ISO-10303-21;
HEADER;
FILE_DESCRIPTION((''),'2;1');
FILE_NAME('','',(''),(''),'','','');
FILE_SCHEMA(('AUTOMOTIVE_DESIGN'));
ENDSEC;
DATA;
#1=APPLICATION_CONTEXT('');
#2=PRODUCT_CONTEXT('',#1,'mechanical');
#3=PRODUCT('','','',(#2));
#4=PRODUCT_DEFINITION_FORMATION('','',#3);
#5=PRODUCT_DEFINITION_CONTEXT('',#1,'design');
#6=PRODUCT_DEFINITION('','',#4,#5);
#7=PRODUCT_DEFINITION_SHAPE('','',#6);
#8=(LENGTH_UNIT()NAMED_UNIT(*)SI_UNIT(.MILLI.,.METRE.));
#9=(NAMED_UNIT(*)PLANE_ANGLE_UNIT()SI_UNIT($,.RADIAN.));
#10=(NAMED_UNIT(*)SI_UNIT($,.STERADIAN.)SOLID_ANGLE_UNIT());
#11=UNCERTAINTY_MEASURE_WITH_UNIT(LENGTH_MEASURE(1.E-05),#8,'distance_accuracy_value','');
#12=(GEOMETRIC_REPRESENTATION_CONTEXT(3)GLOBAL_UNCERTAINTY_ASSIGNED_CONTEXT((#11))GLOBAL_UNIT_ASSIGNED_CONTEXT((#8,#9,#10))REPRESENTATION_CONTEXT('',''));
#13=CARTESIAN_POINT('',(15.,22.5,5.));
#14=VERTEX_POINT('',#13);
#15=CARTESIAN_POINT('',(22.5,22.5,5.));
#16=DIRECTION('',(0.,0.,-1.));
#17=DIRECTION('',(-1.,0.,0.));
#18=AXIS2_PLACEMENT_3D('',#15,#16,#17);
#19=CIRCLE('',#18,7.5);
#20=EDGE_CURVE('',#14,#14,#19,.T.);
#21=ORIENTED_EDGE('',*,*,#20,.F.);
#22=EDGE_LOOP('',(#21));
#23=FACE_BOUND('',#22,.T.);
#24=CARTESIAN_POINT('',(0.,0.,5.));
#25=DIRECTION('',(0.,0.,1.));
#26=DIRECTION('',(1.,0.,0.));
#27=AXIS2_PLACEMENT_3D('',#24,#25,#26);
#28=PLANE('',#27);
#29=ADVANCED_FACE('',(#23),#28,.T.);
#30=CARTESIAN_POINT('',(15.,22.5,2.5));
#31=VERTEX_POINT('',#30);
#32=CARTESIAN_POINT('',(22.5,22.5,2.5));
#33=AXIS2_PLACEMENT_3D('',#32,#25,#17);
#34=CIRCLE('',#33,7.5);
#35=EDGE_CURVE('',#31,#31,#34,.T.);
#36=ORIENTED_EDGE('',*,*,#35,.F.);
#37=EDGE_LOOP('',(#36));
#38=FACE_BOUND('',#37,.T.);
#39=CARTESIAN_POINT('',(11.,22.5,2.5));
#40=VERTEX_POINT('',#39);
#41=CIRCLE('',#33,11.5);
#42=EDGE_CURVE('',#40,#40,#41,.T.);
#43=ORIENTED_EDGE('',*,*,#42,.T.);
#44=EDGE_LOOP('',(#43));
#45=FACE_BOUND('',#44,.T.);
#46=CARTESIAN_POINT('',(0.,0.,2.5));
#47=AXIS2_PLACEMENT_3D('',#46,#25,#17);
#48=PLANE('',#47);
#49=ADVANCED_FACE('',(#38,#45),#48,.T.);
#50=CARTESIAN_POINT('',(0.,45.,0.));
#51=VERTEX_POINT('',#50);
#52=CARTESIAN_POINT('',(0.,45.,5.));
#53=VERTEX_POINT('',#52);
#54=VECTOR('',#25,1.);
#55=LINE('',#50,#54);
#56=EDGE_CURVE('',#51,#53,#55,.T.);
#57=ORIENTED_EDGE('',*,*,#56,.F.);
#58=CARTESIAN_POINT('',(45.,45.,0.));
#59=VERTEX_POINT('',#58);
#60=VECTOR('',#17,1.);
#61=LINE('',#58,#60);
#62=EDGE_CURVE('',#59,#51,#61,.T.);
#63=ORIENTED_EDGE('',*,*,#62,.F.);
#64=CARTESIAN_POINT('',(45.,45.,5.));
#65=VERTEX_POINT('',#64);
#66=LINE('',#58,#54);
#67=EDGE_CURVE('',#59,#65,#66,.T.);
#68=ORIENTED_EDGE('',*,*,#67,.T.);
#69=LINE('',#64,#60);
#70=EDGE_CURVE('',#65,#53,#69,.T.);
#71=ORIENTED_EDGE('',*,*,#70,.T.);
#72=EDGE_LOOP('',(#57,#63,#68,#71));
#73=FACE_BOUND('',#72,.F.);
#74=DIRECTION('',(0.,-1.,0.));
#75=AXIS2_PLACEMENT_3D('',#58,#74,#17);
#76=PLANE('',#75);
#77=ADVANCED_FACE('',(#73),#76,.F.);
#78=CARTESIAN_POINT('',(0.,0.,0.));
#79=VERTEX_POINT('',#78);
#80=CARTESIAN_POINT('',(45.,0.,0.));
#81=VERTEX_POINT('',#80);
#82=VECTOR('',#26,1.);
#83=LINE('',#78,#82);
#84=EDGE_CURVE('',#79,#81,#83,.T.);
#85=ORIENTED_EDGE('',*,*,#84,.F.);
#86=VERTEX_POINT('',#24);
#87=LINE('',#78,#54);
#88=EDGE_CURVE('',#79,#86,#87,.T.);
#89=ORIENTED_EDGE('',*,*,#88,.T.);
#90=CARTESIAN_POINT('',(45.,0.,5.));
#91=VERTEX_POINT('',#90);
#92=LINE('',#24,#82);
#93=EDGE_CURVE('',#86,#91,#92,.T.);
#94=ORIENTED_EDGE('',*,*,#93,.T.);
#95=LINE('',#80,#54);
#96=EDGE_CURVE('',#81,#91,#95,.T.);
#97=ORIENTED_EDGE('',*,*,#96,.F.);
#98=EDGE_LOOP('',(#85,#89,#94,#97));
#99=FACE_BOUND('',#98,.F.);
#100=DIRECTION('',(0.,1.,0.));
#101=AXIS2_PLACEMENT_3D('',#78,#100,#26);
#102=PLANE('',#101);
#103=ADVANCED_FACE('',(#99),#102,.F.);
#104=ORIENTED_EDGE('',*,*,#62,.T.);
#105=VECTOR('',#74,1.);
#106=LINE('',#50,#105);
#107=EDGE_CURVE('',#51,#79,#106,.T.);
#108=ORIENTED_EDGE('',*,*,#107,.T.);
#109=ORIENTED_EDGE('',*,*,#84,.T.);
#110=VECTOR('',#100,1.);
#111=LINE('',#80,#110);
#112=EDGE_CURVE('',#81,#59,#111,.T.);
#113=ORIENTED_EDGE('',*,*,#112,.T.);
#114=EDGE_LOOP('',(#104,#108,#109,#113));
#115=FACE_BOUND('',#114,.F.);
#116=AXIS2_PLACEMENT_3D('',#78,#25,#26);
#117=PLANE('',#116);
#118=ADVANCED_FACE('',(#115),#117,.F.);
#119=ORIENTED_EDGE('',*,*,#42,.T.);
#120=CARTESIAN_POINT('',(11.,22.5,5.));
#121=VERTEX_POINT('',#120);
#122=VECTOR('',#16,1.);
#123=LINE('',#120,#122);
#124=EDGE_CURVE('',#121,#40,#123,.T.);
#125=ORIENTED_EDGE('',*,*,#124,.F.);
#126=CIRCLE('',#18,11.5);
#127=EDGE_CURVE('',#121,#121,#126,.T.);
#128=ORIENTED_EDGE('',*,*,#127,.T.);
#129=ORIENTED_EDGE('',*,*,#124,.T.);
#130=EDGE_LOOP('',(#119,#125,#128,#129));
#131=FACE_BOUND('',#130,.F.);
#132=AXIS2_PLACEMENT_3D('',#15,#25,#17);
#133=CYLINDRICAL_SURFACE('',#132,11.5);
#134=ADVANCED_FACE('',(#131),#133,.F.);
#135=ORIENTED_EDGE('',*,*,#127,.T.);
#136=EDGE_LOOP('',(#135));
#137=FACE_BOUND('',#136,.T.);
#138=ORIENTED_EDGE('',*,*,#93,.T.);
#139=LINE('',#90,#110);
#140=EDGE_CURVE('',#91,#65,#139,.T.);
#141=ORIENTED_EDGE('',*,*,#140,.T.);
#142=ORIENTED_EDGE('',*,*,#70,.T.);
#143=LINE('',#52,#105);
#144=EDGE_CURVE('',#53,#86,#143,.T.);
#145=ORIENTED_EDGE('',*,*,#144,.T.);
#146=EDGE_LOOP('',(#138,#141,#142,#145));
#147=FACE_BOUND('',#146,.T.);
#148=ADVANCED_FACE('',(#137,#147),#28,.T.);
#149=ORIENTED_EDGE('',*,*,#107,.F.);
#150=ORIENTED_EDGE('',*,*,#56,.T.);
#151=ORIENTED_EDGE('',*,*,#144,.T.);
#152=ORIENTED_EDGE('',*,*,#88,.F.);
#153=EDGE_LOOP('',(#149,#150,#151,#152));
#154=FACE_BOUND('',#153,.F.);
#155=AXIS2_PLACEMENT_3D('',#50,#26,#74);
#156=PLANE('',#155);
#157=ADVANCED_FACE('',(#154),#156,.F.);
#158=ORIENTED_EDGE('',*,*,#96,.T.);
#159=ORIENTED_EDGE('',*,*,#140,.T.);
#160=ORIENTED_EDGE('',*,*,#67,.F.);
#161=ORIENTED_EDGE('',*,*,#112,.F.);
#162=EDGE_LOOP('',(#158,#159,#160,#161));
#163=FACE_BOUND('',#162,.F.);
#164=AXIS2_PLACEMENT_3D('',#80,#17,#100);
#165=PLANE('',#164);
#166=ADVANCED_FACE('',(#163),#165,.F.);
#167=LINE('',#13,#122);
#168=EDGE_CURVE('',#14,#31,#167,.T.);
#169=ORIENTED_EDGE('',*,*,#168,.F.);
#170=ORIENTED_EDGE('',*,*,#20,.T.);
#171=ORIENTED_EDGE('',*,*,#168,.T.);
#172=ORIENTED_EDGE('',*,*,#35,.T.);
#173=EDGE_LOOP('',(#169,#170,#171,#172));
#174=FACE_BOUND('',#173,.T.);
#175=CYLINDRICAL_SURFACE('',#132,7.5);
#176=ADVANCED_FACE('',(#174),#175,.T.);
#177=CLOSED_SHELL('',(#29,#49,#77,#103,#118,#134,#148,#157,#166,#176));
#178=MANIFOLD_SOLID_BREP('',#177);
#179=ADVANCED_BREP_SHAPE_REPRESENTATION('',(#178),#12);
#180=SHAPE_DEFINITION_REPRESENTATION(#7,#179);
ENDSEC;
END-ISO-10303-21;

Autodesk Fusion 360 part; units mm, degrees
sketch "Sketch1" plane through (0, 0, 0) normal (0, 0, 1) x (1, 0, 0)
  line L0 (0, 0) -> (45, 0)
  line L1 (45, 0) -> (45, 45)
  line L2 (45, 45) -> (0, 45)
  line L3 (0, 45) -> (0, 0)
  dimension "d1" = 45
  dimension "d2" = 45
extrude "Extrude1" add sketch "Sketch1" along normal blind 5
sketch "Sketch2" plane through (0, 0, 5) normal (0, 0, 1) x (-1, 0, 0)
  line L0 (0, -45) -> (0, 0)
  line L1 (0, 0) -> (-45, 0)
  line L2 (-45, 0) -> (-45, -50)
  line L3 (-45, -45) -> (0, -45)
  line L4 (0, -45) -> (-45, -45)
  line L5 (-45, -45) -> (-45, -50)
  line L6 (-45, -50) -> (0, -50)
  line L7 (0, -50) -> (0, -45)
  line L8 (0, 0) -> (-45, 0)
  line L9 (-45, 0) -> (-45, 5)
  line L10 (-45, 5) -> (0, 5)
  line L11 (0, 5) -> (0, 0)
  line L12 (0, -50) -> (-45, 5)
  line L13 (-45, -50) -> (0, 5)
  circle A0 centre (-22.5, -22.5) radius 7.5
  circle A1 centre (-22.5, -22.5) radius 11.5
  dimension "d5" = 45
  dimension "d6" = 5
  dimension "d7" = 45
  dimension "d8" = 5
  dimension "d13" = 15
  dimension "d14" = 23
extrude "Extrude3" cut sketch "Sketch2" against normal blind 2.5 contours L12 L13 A0 A1 | L12 L13 A0 A1 | L12 L13 A0 A1 | L12 L13 A0 A1
